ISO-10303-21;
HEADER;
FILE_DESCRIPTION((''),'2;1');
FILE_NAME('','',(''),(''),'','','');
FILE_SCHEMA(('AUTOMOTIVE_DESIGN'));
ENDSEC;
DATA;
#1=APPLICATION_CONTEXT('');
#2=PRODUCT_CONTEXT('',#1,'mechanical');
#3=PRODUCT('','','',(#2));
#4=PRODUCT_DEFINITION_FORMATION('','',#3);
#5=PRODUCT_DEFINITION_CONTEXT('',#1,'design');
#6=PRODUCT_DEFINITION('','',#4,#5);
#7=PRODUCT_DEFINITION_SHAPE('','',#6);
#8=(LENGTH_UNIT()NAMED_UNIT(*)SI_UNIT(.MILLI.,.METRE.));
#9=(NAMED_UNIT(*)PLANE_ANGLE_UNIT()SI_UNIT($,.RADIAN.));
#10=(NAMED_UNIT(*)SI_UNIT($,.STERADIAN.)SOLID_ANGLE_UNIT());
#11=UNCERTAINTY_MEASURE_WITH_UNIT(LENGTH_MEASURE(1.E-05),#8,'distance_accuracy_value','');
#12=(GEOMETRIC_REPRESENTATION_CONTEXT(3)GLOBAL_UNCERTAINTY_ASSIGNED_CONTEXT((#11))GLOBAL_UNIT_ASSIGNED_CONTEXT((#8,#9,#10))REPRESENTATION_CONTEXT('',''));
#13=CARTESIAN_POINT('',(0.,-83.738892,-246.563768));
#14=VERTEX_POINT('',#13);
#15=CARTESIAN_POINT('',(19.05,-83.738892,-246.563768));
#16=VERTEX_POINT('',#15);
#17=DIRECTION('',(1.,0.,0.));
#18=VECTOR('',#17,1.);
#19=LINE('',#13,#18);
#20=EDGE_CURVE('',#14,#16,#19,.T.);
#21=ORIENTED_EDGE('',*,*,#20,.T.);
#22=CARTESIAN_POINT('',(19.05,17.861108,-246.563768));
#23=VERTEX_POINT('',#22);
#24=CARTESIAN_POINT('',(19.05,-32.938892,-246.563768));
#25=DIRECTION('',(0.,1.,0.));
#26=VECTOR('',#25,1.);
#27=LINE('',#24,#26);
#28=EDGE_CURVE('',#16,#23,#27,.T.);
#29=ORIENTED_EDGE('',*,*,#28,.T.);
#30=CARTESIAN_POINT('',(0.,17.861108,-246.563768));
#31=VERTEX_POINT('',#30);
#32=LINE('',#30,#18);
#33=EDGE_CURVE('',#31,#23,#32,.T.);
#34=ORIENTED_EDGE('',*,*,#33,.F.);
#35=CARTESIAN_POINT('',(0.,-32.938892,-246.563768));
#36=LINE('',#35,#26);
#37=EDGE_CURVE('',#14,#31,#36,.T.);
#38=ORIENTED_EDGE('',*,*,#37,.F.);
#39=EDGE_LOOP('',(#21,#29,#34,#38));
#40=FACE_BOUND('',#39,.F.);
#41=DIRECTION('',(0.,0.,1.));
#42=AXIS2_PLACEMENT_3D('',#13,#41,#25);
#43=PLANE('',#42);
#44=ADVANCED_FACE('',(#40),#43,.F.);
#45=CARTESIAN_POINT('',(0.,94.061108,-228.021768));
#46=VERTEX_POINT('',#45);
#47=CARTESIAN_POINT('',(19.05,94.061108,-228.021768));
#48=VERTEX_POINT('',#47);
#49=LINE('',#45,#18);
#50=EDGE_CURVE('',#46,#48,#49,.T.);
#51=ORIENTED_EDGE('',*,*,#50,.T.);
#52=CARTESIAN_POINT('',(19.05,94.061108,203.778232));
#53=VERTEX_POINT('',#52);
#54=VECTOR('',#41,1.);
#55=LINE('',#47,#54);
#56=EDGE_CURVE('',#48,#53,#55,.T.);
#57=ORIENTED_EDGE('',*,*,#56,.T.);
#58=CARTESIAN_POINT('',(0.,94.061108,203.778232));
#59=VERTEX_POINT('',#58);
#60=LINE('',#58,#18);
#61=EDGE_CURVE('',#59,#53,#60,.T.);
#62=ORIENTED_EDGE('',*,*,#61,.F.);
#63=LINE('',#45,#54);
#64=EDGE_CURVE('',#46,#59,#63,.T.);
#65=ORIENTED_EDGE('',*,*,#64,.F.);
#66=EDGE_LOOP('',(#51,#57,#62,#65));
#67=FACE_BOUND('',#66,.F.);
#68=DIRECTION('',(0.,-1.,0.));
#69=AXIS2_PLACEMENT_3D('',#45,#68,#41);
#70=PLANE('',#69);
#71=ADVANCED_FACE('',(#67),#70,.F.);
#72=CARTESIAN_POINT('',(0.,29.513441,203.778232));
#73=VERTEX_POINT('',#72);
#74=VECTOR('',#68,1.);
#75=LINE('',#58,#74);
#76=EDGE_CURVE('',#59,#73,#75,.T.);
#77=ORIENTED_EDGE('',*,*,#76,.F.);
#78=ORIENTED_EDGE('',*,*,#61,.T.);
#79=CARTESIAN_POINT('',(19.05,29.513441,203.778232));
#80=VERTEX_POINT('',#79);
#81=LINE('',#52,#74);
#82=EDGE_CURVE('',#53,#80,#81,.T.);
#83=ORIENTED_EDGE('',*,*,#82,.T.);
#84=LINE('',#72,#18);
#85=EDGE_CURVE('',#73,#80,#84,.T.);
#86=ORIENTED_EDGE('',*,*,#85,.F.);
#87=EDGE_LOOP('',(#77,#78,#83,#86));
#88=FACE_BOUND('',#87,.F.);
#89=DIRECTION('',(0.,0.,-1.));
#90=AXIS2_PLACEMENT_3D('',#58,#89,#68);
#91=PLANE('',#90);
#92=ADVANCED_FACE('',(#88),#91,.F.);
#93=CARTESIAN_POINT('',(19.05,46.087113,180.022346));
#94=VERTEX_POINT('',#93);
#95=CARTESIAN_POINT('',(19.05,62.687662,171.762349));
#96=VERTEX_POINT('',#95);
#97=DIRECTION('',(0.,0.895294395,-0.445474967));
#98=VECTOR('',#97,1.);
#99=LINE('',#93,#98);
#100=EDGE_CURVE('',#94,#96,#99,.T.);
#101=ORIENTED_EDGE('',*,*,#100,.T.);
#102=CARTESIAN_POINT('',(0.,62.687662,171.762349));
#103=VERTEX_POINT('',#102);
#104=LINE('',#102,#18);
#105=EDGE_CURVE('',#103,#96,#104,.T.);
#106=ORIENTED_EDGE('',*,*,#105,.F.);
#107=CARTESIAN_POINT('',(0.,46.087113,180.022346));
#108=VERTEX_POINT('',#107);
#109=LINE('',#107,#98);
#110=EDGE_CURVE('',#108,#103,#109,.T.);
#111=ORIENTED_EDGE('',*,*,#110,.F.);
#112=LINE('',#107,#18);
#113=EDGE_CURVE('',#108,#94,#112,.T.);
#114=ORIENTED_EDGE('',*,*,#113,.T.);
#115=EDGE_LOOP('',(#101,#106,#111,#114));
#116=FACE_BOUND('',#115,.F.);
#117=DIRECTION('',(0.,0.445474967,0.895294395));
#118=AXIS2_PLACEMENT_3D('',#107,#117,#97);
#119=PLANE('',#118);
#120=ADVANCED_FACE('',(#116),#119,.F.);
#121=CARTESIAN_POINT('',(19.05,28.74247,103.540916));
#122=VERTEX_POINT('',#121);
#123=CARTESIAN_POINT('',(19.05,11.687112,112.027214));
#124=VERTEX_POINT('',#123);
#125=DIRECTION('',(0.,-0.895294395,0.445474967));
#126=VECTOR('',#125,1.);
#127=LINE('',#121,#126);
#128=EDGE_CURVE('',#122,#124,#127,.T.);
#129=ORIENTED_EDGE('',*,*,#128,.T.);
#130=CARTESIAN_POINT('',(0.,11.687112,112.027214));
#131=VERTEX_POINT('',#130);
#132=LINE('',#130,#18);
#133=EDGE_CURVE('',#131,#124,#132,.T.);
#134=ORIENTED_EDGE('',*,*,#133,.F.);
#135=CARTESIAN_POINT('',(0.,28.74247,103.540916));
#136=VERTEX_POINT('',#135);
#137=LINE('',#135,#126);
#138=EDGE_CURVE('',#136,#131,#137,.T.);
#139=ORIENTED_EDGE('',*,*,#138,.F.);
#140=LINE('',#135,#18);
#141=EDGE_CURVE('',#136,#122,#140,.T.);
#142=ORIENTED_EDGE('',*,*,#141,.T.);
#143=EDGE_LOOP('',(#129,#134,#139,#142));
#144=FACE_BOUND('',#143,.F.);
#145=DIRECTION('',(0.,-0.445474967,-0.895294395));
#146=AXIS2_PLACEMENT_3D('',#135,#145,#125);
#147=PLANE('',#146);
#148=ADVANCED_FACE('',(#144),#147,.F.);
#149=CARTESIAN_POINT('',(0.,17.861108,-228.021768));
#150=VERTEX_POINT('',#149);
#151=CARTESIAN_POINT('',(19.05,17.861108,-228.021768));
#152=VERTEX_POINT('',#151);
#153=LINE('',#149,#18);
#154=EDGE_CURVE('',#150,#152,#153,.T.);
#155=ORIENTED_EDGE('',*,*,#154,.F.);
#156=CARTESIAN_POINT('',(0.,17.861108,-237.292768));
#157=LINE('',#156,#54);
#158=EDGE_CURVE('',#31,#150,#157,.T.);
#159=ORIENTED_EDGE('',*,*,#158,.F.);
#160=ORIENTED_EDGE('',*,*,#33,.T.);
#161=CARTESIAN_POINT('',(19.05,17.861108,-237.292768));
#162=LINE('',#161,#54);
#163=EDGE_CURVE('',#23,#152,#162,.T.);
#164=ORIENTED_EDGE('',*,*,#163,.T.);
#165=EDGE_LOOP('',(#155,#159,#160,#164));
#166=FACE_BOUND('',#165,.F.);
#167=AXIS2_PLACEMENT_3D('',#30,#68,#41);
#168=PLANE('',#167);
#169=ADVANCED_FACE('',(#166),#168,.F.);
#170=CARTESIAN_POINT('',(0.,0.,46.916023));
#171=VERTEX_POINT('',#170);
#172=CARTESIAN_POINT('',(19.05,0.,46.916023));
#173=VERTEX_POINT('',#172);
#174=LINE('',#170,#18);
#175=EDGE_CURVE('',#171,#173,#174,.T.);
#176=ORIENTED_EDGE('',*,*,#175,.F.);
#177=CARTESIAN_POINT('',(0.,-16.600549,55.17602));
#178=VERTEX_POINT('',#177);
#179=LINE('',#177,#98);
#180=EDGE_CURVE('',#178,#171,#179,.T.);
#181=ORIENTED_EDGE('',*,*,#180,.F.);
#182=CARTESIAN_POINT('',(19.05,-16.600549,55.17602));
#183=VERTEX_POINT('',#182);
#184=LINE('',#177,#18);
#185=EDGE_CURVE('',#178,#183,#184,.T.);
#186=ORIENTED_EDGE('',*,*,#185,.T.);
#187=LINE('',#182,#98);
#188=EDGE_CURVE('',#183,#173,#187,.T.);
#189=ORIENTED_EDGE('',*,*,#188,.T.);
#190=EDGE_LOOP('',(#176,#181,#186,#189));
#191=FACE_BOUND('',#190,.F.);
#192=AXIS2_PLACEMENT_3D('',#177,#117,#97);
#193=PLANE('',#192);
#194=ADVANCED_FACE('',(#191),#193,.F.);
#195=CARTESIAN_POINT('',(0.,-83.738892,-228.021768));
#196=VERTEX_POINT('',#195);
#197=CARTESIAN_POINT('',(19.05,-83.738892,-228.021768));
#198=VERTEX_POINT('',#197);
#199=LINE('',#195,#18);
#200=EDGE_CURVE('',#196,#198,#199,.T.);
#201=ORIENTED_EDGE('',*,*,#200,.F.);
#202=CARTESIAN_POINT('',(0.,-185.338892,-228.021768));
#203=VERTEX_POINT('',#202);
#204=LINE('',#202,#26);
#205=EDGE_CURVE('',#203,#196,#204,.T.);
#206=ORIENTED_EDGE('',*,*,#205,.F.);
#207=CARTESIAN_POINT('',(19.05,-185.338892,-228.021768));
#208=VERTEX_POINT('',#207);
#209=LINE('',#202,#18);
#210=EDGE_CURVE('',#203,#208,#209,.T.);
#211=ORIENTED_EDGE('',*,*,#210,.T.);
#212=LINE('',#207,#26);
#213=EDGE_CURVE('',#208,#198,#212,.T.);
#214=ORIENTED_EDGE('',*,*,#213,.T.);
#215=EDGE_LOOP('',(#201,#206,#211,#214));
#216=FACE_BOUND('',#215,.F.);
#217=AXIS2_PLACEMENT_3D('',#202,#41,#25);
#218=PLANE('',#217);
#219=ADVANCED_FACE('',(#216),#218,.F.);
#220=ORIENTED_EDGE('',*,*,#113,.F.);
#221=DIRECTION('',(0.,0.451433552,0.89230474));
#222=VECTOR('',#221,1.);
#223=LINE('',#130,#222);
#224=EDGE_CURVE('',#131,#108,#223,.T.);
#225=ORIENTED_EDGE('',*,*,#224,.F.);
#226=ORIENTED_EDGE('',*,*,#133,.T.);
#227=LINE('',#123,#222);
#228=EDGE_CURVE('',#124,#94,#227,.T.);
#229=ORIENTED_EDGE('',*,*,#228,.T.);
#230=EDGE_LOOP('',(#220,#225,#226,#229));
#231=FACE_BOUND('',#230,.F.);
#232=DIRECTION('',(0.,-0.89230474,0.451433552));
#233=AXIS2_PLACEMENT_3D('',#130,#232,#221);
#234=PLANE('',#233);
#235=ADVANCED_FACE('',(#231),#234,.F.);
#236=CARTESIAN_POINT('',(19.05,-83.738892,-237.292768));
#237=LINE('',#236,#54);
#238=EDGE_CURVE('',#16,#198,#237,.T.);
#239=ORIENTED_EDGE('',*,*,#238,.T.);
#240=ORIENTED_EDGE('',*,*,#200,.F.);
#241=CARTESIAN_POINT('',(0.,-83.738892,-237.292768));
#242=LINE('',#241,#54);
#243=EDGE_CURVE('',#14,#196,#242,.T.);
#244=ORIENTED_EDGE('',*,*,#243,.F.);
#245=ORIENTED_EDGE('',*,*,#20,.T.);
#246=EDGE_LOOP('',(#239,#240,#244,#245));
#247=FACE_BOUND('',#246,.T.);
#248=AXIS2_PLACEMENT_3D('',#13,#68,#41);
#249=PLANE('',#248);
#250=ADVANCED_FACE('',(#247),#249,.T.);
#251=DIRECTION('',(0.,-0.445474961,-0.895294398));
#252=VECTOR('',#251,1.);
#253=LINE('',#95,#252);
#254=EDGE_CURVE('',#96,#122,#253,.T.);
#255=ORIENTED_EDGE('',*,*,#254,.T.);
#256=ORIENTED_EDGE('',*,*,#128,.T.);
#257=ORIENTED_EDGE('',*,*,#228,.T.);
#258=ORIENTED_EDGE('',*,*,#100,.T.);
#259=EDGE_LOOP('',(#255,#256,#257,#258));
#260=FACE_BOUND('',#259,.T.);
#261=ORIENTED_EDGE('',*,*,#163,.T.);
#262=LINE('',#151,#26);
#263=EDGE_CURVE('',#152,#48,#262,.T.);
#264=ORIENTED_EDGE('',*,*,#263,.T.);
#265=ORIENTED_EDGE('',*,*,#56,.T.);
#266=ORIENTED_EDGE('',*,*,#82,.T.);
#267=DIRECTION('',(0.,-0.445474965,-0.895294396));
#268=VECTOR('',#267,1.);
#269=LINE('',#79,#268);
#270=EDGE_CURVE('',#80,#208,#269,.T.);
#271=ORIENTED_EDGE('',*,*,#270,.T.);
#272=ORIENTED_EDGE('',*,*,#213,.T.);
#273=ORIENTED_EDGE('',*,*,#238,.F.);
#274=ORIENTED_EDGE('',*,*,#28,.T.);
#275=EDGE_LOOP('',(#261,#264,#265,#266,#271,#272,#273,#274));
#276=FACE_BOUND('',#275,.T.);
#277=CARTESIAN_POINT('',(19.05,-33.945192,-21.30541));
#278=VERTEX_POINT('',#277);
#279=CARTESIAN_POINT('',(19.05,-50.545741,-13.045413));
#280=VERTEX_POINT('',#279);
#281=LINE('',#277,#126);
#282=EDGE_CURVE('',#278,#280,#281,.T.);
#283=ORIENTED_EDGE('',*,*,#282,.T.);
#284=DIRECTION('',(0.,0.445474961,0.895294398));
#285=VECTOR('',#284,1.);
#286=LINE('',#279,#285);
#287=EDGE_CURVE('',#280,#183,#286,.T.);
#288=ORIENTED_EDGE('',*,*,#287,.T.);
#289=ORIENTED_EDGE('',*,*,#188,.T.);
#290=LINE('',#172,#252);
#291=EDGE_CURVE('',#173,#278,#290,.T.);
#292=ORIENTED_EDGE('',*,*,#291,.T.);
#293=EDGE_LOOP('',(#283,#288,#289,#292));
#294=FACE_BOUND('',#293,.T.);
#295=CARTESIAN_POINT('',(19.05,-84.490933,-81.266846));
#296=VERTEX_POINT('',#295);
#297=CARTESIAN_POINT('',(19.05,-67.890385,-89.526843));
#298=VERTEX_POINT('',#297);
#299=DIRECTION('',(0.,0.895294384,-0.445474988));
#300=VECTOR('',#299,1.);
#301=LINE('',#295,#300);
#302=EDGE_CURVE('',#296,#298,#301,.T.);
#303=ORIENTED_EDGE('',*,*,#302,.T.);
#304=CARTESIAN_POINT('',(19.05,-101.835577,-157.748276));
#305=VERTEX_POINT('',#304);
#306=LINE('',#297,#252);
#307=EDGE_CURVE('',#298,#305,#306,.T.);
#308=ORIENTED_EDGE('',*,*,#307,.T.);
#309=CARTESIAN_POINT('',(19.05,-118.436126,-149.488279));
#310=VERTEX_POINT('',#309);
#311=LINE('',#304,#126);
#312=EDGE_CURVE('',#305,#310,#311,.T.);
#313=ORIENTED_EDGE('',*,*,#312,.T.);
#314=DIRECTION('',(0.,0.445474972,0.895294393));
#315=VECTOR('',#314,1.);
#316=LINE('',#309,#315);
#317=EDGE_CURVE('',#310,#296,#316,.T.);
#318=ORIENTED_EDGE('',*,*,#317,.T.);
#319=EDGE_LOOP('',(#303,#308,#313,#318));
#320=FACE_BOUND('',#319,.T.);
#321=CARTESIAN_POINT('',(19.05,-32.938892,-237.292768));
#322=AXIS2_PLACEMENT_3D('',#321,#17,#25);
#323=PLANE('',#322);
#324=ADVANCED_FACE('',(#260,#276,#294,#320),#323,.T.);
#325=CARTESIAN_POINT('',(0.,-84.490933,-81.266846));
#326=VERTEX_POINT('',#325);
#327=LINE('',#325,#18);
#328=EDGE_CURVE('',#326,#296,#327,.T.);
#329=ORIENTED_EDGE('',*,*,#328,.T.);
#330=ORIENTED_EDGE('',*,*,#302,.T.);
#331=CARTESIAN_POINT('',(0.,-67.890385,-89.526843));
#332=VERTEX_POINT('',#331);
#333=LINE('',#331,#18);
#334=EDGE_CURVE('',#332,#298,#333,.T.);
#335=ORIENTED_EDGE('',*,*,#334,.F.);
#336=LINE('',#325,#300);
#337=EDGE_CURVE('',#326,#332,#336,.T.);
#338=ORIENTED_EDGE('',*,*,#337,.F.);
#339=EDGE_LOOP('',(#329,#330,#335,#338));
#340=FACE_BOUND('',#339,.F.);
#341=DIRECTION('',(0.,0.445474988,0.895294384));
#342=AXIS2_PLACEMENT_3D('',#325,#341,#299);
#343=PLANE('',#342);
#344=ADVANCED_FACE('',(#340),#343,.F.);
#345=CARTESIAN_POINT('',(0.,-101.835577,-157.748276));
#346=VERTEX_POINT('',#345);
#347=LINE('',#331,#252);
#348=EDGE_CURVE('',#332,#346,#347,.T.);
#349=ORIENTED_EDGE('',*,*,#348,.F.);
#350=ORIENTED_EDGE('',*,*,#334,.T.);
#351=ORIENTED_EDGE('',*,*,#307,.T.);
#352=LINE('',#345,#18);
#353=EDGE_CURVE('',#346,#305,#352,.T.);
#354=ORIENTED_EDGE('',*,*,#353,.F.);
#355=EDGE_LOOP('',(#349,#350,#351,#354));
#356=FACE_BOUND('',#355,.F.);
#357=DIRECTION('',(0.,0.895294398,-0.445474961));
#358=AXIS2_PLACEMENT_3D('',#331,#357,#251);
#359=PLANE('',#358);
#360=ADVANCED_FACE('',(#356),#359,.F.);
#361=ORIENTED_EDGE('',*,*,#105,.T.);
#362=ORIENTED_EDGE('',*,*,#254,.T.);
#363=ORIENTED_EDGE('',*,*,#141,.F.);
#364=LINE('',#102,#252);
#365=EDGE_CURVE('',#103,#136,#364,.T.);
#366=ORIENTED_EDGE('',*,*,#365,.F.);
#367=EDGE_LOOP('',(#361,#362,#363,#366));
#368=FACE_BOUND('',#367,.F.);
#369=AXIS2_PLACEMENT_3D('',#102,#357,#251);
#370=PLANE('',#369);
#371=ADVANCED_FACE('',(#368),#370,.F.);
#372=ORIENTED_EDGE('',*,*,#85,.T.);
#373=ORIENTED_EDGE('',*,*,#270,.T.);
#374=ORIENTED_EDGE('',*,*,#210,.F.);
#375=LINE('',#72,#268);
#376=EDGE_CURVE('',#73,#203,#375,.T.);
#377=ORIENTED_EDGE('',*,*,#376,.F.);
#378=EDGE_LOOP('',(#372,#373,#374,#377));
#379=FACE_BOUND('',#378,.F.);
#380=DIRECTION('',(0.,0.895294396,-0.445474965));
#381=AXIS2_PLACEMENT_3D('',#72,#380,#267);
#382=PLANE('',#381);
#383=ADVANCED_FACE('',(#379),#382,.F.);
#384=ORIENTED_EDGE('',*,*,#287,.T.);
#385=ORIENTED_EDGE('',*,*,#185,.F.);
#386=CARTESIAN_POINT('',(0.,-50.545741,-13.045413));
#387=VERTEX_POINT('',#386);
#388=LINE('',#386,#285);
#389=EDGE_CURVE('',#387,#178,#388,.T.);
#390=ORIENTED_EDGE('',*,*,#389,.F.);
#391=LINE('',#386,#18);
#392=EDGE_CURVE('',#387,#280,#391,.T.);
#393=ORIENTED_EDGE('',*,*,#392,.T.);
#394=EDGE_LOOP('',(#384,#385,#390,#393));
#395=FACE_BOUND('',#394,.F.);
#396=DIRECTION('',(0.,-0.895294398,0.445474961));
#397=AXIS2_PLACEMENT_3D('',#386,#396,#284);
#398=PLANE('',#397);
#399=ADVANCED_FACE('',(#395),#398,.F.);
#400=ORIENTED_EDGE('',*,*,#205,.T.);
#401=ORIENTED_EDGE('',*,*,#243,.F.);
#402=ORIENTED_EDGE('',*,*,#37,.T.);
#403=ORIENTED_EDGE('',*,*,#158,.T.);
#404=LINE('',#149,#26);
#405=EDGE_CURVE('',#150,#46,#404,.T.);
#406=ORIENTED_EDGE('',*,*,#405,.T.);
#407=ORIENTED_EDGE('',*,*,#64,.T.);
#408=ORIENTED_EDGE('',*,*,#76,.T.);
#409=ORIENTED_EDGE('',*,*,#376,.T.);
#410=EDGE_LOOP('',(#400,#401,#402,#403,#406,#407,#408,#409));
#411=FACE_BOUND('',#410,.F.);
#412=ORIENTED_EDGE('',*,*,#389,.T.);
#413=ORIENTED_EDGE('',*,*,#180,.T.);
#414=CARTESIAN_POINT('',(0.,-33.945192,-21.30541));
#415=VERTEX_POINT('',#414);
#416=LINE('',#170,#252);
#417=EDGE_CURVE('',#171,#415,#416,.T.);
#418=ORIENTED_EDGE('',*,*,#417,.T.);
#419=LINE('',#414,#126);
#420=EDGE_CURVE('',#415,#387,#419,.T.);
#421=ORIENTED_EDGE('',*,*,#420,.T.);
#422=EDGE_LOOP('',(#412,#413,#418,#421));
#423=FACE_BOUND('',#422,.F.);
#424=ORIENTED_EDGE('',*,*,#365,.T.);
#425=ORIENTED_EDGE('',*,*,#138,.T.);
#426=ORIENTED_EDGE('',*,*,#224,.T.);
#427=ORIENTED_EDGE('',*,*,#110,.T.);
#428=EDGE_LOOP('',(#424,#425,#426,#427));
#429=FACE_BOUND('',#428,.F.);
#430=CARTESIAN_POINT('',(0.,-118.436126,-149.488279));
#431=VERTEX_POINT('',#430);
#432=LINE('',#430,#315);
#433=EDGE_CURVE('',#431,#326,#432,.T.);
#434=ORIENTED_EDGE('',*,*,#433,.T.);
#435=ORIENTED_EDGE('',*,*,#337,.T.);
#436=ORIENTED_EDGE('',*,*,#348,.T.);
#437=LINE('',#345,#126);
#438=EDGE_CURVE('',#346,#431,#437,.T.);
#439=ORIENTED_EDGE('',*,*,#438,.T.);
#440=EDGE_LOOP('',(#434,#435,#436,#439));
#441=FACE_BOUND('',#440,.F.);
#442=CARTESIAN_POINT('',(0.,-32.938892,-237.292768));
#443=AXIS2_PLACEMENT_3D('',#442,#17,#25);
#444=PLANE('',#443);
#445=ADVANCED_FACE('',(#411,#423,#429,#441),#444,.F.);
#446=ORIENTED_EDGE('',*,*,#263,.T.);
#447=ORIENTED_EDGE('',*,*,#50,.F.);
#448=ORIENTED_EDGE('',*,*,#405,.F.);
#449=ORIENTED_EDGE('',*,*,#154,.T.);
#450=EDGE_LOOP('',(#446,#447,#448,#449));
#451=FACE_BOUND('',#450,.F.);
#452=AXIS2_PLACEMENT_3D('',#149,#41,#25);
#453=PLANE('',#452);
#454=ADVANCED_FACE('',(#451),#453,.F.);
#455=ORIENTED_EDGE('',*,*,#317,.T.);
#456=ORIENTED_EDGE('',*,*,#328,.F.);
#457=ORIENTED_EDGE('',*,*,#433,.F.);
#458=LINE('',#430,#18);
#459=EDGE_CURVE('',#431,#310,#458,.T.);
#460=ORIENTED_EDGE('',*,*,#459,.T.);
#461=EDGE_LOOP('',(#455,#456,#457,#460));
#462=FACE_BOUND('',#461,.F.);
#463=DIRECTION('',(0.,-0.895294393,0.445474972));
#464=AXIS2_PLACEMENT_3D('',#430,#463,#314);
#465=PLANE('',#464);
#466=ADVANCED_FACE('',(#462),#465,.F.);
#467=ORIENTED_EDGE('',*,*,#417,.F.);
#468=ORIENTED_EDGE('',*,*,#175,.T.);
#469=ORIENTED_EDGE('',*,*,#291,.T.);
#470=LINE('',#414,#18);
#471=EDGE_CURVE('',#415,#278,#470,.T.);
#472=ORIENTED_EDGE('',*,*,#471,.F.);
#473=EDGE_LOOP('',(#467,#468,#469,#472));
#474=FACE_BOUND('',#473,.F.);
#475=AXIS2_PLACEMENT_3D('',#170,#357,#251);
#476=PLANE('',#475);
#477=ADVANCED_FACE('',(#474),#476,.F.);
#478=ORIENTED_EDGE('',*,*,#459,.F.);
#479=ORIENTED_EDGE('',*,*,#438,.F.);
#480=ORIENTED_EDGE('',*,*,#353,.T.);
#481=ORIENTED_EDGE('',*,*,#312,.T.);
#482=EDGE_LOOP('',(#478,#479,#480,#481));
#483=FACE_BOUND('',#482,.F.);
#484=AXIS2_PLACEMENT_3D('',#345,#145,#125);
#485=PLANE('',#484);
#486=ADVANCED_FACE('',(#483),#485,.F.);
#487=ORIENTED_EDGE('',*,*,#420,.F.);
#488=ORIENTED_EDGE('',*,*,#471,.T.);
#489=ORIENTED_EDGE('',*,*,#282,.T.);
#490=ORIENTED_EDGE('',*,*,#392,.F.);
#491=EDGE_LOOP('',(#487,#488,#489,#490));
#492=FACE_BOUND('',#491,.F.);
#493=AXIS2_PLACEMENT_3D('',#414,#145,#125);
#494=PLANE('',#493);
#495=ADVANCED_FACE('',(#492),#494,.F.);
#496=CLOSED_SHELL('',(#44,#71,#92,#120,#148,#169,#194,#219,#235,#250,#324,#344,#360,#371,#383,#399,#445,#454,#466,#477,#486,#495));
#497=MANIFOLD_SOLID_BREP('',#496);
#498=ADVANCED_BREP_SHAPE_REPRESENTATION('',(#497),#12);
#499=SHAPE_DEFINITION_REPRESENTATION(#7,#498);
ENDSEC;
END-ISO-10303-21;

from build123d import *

# Parameters (mm, degrees)
F0_W     = 101.6
F0_H     = 18.542
F1_DEPTH = 19.05


with BuildPart() as f1:
    # F0 (on Right) → F1 (new body)
    with BuildSketch(Plane.YZ):
        with Locations((-32.938892, -237.292768)):
            Rectangle(F0_W, F0_H)
        Polygon((29.513441, 203.778232), (-185.338892, -228.021768), (-83.738892, -228.021768), (17.861108, -228.021768), (94.061108, -228.021768), (94.061108, 203.778232), align=None)
        Polygon((-84.490933, -81.266846), (-67.890385, -89.526843), (-101.835577, -157.748276), (-118.436126, -149.488279), align=None, mode=Mode.SUBTRACT)
        Polygon((-33.945192, -21.30541), (-50.545741, -13.045413), (-16.600549, 55.17602), (0, 46.916023), align=None, mode=Mode.SUBTRACT)
        Polygon((28.74247, 103.540916), (11.687112, 112.027214), (46.087113, 180.022346), (62.687662, 171.762349), align=None, mode=Mode.SUBTRACT)
    extrude(amount=F1_DEPTH)


solid = f1.part
